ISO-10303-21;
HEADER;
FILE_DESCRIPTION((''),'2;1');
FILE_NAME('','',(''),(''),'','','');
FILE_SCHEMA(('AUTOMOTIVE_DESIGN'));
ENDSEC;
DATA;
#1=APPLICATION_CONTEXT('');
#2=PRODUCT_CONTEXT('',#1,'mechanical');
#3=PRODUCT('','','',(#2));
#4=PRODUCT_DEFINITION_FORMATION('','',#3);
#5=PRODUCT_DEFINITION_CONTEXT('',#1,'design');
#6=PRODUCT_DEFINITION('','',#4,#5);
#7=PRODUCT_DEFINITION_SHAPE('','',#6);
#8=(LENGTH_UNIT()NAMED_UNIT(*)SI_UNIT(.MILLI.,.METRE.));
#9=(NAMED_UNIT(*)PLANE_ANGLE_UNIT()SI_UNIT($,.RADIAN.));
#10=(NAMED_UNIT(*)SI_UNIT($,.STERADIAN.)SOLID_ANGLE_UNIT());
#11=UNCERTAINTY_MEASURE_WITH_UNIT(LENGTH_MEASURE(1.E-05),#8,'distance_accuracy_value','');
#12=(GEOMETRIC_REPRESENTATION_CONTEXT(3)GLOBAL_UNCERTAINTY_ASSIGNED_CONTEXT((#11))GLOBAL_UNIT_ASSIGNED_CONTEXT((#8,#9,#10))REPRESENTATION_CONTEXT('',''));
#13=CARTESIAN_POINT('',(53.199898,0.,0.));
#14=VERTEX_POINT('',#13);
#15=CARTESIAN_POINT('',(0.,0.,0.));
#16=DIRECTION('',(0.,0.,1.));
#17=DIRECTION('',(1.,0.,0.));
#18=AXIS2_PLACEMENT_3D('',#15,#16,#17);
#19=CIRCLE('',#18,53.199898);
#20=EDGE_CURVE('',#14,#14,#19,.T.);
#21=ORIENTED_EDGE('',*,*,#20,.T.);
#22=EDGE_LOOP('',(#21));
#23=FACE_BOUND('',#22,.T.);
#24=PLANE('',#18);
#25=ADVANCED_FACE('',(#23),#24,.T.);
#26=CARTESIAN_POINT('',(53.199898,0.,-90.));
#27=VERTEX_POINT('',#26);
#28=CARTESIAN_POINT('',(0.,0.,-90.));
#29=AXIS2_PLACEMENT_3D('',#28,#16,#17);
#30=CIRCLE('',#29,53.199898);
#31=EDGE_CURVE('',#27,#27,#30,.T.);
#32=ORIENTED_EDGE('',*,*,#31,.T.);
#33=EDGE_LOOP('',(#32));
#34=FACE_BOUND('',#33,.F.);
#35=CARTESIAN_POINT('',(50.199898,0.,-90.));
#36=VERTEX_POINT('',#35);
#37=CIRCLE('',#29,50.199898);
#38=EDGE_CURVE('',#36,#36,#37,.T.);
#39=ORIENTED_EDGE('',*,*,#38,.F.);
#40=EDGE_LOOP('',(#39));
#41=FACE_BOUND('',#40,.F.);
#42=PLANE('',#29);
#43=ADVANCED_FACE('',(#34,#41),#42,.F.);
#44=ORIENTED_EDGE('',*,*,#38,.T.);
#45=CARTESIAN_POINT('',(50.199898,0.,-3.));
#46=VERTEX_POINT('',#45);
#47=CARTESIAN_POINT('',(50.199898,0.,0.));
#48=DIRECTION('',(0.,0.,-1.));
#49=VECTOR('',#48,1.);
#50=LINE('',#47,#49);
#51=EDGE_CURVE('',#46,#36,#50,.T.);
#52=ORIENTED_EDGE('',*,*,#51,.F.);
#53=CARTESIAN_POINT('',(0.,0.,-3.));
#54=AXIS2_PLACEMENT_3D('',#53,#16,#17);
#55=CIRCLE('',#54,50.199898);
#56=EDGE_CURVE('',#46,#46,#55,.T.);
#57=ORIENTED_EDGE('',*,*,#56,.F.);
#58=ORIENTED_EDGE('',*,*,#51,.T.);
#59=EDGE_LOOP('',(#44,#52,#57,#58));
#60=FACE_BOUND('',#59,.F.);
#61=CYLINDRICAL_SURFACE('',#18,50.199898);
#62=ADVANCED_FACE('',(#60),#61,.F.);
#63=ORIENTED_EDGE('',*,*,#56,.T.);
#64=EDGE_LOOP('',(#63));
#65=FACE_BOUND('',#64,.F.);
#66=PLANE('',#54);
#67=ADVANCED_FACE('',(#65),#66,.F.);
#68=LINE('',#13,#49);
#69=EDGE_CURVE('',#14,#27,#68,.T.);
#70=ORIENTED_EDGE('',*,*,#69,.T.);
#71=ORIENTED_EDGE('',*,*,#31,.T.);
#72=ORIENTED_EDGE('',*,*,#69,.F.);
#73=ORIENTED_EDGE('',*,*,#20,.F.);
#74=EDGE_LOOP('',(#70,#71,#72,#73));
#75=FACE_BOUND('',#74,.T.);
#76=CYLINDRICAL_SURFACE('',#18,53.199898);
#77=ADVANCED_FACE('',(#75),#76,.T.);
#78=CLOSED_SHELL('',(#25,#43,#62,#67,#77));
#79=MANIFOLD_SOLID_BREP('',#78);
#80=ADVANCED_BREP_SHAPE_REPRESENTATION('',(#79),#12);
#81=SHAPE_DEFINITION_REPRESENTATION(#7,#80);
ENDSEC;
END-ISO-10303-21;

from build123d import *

# Parameters (mm, degrees)
F0_R     = 50.199898
F1_DEPTH = 3
F0_R_2   = 53.199898
F2_DEPTH = 90


with BuildPart() as f1:
    # F0 (on Top) → F1 (new body)
    with BuildSketch(Plane.XY):
        Circle(F0_R)
    extrude(amount=-F1_DEPTH)

    # F0 (on Top) → F2 (join)
    with BuildSketch(Plane.XY):
        Circle(F0_R_2)
        Circle(F0_R, mode=Mode.SUBTRACT)
    extrude(amount=-F2_DEPTH)


solid = f1.part
